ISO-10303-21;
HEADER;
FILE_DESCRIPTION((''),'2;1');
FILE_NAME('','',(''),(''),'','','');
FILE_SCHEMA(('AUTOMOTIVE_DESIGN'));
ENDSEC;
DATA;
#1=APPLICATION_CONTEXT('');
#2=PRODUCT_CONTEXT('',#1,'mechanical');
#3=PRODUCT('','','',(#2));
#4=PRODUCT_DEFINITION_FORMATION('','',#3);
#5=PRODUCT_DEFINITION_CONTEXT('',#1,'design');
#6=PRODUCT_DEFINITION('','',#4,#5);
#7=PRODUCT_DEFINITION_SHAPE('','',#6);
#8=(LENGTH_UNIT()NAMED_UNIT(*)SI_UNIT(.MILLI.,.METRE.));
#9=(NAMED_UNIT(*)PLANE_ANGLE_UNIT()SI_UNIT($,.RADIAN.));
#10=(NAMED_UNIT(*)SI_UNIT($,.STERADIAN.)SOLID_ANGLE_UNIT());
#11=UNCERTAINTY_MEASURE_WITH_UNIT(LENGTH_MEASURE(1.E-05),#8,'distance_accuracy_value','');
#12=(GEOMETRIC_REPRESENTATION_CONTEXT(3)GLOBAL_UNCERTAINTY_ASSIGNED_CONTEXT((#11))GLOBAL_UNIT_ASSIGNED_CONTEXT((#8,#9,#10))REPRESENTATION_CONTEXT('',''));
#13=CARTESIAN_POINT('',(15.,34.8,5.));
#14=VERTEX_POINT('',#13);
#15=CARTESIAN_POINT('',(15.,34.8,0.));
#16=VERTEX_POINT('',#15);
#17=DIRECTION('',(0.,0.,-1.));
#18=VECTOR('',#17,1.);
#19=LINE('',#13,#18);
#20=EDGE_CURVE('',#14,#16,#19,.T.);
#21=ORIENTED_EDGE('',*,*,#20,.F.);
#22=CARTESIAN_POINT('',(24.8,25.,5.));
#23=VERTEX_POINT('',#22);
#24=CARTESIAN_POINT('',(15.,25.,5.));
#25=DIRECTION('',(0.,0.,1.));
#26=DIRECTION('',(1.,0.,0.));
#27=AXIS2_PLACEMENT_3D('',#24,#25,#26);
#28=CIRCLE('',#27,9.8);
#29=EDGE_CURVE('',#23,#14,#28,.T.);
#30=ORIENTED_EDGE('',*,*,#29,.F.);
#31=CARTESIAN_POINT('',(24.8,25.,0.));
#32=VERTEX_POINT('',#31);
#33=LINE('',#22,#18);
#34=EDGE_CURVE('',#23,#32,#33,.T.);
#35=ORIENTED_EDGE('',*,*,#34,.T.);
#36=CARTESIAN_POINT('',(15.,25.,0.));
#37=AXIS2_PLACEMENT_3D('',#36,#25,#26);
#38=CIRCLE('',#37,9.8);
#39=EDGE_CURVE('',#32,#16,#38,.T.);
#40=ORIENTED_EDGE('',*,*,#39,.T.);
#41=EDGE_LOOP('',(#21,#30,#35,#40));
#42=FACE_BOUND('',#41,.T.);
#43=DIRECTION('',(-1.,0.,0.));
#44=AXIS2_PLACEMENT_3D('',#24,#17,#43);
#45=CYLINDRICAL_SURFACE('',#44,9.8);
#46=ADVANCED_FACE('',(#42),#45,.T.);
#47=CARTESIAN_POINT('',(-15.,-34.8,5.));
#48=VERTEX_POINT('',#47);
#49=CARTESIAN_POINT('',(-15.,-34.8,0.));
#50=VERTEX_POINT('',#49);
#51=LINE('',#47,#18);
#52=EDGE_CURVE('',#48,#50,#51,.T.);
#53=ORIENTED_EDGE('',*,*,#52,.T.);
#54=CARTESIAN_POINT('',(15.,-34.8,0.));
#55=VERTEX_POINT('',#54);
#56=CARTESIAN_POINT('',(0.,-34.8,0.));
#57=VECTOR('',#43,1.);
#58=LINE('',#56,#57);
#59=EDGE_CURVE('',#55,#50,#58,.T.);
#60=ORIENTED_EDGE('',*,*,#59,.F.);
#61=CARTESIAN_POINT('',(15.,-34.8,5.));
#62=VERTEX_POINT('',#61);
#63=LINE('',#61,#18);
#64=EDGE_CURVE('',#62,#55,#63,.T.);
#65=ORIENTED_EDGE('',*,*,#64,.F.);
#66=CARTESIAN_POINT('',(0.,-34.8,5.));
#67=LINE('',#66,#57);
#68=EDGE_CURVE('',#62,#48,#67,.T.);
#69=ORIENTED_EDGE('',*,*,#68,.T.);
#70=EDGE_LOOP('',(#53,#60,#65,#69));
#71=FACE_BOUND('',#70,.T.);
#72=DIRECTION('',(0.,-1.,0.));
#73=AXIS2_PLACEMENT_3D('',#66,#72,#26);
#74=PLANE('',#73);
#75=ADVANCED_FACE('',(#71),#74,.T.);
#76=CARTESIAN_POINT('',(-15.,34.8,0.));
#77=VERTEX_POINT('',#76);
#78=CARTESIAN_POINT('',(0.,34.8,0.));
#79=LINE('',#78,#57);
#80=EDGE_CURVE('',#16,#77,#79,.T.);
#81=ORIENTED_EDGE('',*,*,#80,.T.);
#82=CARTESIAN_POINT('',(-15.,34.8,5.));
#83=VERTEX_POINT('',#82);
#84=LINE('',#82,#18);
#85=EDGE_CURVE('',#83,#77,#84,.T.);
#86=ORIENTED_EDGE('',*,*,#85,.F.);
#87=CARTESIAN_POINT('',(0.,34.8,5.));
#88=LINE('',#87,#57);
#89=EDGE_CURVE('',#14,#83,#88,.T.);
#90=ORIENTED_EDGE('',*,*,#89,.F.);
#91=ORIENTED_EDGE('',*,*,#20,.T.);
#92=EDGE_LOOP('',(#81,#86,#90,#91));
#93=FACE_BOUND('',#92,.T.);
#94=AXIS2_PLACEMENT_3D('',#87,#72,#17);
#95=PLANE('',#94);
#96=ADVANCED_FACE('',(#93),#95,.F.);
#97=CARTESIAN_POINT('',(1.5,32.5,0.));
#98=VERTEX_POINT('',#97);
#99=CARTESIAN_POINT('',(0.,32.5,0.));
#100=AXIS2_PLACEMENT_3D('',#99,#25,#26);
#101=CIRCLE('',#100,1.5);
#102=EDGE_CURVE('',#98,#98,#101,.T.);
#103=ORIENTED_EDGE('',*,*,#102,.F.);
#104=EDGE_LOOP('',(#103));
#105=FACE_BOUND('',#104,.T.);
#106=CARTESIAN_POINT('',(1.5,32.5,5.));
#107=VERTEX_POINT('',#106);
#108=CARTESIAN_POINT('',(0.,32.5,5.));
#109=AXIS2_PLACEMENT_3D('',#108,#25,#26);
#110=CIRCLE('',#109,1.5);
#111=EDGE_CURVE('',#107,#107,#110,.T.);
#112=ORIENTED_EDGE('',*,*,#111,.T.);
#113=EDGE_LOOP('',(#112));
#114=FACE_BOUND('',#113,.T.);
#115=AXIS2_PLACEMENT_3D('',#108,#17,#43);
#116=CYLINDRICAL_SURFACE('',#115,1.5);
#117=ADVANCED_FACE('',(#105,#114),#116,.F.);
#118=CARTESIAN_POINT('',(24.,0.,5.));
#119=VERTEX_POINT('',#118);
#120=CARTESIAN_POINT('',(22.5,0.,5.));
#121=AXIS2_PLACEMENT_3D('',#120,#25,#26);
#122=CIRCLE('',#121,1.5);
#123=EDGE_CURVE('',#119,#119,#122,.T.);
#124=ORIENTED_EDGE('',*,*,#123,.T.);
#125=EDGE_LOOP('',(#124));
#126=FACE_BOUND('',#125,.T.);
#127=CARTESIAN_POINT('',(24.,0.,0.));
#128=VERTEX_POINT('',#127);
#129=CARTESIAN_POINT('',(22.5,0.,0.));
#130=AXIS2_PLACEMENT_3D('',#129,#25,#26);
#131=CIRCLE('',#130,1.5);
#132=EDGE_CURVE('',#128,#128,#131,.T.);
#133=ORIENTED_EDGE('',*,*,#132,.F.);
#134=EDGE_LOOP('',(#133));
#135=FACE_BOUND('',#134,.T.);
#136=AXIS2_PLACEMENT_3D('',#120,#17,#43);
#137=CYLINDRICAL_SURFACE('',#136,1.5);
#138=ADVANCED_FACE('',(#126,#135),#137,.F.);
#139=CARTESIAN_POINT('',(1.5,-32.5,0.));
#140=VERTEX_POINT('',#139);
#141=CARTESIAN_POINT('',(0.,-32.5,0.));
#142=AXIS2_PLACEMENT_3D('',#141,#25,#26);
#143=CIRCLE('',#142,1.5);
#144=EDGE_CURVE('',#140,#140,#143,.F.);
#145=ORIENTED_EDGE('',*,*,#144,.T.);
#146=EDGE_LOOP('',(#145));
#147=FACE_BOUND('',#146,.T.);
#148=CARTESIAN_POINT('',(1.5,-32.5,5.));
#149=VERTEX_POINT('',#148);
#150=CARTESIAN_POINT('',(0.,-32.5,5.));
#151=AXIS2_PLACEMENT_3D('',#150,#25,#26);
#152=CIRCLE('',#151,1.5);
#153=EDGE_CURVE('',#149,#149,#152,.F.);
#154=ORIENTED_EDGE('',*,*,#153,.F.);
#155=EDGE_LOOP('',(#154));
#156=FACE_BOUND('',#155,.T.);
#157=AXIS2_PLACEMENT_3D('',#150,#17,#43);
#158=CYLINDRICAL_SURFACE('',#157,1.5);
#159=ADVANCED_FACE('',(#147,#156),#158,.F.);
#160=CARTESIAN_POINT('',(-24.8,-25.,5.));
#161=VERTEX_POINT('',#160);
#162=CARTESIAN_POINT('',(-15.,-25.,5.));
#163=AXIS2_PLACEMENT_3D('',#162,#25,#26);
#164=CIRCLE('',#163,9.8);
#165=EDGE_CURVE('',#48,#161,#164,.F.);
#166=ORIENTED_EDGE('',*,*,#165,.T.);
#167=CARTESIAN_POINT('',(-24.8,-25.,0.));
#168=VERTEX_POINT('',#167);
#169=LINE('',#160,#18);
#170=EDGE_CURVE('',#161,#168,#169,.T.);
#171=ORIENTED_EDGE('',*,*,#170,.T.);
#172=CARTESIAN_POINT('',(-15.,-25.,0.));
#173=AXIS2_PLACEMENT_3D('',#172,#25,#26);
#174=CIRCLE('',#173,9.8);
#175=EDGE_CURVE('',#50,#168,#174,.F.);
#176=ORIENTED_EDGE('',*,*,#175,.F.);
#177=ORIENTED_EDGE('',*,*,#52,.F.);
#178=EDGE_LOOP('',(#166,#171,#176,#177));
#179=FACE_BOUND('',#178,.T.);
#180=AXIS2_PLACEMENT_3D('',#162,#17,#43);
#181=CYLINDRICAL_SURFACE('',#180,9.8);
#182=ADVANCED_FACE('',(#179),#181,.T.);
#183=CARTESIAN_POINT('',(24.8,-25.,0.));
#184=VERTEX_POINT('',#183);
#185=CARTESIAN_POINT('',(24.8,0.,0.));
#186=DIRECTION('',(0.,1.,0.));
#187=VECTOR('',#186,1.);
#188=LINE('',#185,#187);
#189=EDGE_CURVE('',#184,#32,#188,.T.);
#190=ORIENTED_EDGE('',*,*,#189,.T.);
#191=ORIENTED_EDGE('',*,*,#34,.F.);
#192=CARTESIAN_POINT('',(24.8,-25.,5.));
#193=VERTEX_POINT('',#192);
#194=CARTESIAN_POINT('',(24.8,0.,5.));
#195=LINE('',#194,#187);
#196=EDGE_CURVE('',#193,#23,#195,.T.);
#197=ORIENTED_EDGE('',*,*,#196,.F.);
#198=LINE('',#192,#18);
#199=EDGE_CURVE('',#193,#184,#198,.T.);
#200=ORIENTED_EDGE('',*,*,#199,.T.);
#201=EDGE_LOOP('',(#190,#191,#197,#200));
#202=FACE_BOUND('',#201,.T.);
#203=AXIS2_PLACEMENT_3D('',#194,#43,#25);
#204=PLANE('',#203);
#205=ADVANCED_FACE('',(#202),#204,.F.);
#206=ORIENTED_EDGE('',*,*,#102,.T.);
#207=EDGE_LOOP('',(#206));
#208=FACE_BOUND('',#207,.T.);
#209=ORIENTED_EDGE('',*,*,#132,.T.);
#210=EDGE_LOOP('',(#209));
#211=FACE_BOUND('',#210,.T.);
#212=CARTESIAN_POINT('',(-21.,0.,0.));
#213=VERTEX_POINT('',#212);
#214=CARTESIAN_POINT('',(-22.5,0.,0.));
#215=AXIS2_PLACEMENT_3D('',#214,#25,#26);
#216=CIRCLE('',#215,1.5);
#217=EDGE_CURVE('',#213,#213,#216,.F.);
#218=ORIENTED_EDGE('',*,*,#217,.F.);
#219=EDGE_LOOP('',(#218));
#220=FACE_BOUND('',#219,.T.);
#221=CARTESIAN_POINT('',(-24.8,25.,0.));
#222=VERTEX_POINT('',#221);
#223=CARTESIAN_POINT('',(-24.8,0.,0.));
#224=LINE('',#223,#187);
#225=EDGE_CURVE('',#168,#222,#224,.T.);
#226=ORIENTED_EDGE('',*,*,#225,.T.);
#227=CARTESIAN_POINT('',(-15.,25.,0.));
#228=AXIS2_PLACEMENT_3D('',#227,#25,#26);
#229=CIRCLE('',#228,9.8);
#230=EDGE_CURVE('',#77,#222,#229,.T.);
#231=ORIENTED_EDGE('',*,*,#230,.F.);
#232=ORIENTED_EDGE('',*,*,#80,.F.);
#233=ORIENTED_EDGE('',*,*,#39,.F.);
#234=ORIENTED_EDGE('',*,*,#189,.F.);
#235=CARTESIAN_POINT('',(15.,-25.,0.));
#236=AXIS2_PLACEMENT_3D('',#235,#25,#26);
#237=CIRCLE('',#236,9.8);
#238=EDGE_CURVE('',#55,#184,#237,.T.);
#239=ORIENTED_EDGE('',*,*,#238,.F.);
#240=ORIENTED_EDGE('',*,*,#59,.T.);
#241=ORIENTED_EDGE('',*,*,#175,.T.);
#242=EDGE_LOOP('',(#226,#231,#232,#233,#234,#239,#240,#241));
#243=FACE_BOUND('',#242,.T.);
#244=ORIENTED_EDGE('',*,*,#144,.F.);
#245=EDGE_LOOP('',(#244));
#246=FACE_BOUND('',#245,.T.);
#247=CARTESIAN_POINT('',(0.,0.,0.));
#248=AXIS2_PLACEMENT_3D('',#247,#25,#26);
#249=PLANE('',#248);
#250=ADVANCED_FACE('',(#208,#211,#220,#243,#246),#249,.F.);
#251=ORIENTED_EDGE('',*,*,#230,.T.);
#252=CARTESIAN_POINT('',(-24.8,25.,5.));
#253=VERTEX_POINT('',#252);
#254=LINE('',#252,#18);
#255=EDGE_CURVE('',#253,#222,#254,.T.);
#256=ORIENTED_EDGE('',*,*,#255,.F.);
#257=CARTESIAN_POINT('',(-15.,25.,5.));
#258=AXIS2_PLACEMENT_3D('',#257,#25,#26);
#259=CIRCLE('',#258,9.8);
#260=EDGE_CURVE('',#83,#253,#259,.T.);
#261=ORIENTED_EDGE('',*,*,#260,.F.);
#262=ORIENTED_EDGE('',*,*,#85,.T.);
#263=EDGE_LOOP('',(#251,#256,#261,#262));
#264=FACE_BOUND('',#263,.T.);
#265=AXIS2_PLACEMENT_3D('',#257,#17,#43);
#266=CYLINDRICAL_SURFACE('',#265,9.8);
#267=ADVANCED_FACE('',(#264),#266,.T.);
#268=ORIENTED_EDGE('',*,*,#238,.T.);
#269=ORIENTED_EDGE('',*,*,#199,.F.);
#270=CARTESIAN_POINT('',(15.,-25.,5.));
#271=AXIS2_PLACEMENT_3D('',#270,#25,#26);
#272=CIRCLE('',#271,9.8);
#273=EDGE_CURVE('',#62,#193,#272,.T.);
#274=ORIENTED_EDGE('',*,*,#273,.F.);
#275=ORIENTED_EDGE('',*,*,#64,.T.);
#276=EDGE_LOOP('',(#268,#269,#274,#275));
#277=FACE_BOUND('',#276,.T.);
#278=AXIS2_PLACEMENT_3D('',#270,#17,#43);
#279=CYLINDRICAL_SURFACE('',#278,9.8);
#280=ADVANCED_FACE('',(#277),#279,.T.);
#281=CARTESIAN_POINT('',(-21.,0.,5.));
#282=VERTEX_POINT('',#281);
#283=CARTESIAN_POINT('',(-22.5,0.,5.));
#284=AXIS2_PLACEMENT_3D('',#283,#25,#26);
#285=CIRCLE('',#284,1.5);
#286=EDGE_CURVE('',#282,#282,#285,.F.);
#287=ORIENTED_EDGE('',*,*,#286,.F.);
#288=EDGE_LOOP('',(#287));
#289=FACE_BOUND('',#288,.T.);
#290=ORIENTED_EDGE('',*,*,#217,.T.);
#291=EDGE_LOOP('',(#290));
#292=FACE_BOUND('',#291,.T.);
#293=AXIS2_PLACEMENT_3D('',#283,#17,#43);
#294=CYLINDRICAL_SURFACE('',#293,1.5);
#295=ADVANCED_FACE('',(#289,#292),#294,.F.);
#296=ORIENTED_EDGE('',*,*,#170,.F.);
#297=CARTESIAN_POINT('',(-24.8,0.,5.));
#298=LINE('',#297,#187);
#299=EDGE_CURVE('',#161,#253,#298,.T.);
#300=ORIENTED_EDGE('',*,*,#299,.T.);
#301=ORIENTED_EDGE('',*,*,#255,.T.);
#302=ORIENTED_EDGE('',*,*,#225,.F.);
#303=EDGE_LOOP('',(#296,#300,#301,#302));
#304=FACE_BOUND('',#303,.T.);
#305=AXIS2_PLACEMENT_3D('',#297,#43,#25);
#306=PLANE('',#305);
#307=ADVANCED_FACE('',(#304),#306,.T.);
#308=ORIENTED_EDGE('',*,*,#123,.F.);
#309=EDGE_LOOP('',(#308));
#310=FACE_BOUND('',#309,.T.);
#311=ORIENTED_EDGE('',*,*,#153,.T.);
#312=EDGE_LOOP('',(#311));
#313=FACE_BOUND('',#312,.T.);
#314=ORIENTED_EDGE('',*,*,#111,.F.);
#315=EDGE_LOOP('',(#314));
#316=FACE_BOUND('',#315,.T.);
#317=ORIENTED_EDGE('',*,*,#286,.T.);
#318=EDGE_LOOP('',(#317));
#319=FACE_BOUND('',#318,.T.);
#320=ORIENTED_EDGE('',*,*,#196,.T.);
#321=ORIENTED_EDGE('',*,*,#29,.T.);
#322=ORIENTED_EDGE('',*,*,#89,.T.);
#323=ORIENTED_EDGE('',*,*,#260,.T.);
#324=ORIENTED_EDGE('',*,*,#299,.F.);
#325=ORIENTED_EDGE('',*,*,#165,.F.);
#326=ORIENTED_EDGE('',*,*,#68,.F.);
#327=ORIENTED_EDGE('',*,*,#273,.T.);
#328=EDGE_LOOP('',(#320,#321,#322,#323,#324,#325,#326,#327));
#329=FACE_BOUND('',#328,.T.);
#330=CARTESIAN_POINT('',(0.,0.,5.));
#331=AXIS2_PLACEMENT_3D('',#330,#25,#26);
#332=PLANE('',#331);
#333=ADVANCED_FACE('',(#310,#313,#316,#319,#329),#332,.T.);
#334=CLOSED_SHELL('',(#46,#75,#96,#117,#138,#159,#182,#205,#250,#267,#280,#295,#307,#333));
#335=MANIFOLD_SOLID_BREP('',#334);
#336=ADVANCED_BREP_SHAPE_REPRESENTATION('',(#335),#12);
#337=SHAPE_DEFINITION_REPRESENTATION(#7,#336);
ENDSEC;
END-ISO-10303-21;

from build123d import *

# Parameters (mm, degrees)
ESBO_O1_R                = 1.5
RESSALTO_EXTRUS_O1_DEPTH = 5


with BuildPart() as part:
    # Esboço1 → Ressalto-extrusão1 (new body)
    with BuildSketch(Plane.XY):
        with BuildLine():
            Line((24.8, -25), (24.8, 25))
            ThreePointArc((24.8, 25), (21.929646456, 31.929646456), (15, 34.8))
            Line((15, 34.8), (-15, 34.8))
            ThreePointArc((-15, 34.8), (-21.929646456, 31.929646456), (-24.8, 25))
            Line((-24.8, 25), (-24.8, -25))
            ThreePointArc((-24.8, -25), (-21.929646456, -31.929646456), (-15, -34.8))
            Line((-15, -34.8), (15, -34.8))
            ThreePointArc((15, -34.8), (21.929646456, -31.929646456), (24.8, -25))
        make_face()
        with Locations((0, -32.5)):
            Circle(ESBO_O1_R, mode=Mode.SUBTRACT)
        with Locations((22.5, 0)):
            Circle(ESBO_O1_R, mode=Mode.SUBTRACT)
        with Locations((0, 32.5)):
            Circle(ESBO_O1_R, mode=Mode.SUBTRACT)
        with Locations((-22.5, 0)):
            Circle(ESBO_O1_R, mode=Mode.SUBTRACT)
    extrude(amount=RESSALTO_EXTRUS_O1_DEPTH)


solid = part.part
